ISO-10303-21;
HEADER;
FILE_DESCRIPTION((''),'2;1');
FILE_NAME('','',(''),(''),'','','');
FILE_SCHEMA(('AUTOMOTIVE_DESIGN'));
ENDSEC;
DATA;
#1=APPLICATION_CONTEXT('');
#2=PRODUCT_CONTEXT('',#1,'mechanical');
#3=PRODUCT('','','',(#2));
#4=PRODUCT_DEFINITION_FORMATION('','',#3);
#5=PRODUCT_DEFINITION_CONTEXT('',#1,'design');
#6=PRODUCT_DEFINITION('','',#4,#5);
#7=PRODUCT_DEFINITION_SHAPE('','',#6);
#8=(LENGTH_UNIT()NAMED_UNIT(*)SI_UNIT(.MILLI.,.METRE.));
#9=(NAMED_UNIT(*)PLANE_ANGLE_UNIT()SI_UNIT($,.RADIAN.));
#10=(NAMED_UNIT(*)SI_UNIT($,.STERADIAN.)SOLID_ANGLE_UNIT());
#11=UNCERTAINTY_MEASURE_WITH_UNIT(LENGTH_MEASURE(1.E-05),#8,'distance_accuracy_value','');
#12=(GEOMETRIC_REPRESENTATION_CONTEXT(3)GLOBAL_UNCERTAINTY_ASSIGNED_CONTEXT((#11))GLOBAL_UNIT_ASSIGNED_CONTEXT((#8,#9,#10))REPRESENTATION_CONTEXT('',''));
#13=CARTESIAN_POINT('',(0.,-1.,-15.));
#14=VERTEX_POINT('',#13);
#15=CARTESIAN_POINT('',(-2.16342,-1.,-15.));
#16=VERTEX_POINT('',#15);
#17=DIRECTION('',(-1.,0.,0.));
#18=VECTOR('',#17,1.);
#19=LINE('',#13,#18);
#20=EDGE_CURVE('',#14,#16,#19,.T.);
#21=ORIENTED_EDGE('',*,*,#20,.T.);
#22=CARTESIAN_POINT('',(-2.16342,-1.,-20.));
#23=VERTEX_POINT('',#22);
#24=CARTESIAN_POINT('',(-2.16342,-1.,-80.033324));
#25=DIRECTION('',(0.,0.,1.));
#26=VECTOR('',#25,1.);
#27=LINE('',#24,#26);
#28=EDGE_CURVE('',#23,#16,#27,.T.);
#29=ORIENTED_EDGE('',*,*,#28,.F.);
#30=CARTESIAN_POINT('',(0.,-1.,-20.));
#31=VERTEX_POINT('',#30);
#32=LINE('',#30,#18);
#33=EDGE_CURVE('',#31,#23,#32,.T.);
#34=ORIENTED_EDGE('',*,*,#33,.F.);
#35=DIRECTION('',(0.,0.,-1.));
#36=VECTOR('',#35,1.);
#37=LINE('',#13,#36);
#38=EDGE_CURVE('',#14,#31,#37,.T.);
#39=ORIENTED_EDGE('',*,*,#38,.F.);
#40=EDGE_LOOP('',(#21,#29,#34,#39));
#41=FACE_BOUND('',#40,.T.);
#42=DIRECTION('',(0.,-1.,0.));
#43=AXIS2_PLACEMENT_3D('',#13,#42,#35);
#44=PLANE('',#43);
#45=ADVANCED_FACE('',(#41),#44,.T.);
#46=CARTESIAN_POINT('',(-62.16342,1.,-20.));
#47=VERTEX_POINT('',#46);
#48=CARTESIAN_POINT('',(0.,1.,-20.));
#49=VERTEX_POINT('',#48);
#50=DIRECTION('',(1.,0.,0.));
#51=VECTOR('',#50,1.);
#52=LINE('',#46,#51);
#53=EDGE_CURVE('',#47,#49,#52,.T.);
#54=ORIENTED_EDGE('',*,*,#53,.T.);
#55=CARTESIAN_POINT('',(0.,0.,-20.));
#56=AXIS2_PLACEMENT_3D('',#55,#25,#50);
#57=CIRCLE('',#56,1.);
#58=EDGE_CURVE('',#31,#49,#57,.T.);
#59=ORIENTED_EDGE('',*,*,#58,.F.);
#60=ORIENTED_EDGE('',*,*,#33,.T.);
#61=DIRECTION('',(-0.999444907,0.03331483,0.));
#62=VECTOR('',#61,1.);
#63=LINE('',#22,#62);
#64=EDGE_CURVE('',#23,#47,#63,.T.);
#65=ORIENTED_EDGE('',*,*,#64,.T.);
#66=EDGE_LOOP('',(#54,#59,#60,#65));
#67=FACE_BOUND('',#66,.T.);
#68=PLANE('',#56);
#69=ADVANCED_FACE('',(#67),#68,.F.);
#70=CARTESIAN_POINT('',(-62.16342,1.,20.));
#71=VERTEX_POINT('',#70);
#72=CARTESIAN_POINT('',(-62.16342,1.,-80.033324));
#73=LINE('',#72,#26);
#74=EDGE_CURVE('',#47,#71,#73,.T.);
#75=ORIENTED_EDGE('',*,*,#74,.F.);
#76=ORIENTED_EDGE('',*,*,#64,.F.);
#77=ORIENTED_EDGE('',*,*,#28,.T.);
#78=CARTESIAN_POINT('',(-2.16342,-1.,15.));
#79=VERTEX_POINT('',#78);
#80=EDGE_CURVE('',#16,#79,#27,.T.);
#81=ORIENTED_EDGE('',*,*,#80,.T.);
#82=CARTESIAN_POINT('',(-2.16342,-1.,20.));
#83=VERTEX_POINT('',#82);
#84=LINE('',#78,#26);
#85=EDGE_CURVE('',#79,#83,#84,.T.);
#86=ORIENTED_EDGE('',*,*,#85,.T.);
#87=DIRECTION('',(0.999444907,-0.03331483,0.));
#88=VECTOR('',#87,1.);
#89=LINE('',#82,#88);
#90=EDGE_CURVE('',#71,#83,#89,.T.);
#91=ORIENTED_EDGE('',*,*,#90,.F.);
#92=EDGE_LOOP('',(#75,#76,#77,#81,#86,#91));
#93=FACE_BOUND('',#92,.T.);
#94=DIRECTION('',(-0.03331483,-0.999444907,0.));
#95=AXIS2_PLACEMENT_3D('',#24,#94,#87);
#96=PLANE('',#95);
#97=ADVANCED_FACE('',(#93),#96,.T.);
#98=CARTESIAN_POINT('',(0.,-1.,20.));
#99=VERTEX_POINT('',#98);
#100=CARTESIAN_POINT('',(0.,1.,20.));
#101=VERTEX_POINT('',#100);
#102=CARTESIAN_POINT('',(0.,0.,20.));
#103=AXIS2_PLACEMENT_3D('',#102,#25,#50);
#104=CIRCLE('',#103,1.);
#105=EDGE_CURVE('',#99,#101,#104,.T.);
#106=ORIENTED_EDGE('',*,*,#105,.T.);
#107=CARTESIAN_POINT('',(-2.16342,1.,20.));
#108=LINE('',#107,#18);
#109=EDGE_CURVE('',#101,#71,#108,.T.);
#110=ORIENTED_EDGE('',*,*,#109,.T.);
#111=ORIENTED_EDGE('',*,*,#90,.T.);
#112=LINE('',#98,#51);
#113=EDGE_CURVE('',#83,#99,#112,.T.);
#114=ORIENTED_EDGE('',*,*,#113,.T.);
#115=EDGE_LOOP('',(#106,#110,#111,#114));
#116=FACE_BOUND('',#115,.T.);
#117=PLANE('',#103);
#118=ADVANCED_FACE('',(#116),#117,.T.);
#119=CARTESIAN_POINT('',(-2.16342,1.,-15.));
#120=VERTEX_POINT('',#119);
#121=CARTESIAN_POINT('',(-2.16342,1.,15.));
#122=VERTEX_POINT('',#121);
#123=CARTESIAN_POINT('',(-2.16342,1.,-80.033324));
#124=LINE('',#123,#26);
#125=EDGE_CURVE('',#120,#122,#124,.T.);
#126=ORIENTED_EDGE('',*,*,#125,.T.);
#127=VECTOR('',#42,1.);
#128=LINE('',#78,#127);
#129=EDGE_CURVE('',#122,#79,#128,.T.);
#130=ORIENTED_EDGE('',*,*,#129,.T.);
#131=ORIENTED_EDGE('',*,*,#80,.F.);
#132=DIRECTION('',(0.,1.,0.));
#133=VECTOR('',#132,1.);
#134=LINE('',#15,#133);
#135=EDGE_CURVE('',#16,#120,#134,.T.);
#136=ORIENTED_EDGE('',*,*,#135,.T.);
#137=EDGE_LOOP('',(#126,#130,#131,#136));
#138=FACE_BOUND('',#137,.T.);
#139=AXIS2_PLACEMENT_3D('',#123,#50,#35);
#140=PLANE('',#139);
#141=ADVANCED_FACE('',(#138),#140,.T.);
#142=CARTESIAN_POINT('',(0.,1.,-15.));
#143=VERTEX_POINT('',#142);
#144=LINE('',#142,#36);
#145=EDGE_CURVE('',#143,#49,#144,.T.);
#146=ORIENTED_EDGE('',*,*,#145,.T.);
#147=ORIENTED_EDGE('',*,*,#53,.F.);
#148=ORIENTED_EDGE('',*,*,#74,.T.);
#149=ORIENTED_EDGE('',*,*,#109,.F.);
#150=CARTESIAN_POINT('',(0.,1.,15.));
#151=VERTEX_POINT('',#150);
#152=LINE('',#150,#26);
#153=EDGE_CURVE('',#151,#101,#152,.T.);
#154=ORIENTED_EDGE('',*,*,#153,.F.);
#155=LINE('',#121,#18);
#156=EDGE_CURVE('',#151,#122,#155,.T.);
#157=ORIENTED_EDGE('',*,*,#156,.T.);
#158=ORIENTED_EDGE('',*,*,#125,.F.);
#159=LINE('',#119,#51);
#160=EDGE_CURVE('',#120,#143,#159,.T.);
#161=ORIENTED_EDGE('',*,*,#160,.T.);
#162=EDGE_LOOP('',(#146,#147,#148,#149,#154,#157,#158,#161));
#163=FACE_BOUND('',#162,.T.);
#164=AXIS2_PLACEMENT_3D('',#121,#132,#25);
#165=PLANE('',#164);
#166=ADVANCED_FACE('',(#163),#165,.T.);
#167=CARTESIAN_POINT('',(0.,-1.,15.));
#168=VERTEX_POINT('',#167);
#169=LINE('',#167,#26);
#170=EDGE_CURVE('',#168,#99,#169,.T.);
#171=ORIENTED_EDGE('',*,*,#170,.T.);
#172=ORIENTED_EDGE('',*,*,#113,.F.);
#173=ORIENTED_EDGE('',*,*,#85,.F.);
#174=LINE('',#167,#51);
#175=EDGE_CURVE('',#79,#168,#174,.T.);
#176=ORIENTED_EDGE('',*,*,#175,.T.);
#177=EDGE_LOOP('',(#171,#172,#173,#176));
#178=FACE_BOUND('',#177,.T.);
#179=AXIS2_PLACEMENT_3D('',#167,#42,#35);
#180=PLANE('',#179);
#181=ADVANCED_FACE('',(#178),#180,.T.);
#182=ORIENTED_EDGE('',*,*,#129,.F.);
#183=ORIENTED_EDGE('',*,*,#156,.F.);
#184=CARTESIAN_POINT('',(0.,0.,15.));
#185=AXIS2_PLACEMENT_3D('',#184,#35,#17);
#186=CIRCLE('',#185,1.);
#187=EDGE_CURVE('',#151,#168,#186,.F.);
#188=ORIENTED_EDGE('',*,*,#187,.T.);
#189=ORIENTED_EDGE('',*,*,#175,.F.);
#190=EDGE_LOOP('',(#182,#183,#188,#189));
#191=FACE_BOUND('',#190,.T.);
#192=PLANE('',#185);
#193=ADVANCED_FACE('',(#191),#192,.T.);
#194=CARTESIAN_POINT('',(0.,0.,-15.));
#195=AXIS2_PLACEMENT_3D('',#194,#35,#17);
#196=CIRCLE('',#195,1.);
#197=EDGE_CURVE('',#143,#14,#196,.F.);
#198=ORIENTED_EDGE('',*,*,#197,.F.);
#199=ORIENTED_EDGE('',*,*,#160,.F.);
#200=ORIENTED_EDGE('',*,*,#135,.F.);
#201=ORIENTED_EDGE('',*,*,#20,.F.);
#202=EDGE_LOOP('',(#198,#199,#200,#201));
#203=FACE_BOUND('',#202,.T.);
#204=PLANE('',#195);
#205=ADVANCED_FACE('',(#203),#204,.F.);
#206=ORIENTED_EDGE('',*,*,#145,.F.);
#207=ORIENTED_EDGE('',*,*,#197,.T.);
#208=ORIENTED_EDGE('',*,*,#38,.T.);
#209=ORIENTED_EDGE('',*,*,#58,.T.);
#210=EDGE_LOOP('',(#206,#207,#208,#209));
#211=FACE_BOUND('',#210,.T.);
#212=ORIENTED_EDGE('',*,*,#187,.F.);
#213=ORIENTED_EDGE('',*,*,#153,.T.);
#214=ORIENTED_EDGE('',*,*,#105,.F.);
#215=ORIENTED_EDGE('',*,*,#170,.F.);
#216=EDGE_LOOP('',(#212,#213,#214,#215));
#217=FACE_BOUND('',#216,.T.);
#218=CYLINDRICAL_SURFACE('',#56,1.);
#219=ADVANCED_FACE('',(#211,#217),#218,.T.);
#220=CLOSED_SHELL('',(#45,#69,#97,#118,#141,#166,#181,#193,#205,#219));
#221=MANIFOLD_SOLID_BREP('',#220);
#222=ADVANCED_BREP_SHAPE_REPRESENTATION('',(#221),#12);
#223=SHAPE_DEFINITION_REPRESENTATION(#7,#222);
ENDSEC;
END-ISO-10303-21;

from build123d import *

# Parameters (mm, degrees)
BOSS_EXTRU_1_DEPTH      = 20
BOSS_EXTRU_1_DEPTH_BACK = 20
ESQUISSE1_R             = 1
BOSS_EXTRU_2_DEPTH      = 40
ESQUISSE3_W             = 2.163419692
ESQUISSE3_H             = 2
BOSS_EXTRU_3_DEPTH      = 5
ESQUISSE4_W             = 2.163419692
ESQUISSE4_H             = 2
BOSS_EXTRU_4_DEPTH      = 5


with BuildPart() as part:
    # Esquisse1 → Boss.-Extru.1 (new, two sides: drawn at the far end of the back side and taken through both)
    with BuildSketch(Plane.XY.offset(-BOSS_EXTRU_1_DEPTH_BACK)):
        Circle(ESQUISSE1_R)
    extrude(amount=BOSS_EXTRU_1_DEPTH + BOSS_EXTRU_1_DEPTH_BACK)



with BuildPart() as body_2:
    # Esquisse2 → Boss.-Extru.2 (new body)
    with BuildSketch(Plane.XY.offset(20)):
        Polygon((-2.163419692, -1), (-62.163419692, 1), (-2.163419692, 1), align=None)
    extrude(amount=-BOSS_EXTRU_2_DEPTH)


with BuildPart() as part_1:
    add(part.part)

    add(body_2.part)  # Boss.-Extru.3 merges body 2
    # Esquisse3 → Boss.-Extru.3 (add)
    with BuildSketch(Plane.XY.offset(20)):
        with Locations((-1.081709846, 0)):
            Rectangle(ESQUISSE3_W, ESQUISSE3_H)
    extrude(amount=-BOSS_EXTRU_3_DEPTH)

    # Esquisse4 → Boss.-Extru.4 (add)
    with BuildSketch(Plane(origin=(0, 0, -20), x_dir=(-1, 0, 0), z_dir=(0, 0, -1))):
        with Locations((1.081709846, 0)):
            Rectangle(ESQUISSE4_W, ESQUISSE4_H)
    extrude(amount=-BOSS_EXTRU_4_DEPTH)


solid = part_1.part
